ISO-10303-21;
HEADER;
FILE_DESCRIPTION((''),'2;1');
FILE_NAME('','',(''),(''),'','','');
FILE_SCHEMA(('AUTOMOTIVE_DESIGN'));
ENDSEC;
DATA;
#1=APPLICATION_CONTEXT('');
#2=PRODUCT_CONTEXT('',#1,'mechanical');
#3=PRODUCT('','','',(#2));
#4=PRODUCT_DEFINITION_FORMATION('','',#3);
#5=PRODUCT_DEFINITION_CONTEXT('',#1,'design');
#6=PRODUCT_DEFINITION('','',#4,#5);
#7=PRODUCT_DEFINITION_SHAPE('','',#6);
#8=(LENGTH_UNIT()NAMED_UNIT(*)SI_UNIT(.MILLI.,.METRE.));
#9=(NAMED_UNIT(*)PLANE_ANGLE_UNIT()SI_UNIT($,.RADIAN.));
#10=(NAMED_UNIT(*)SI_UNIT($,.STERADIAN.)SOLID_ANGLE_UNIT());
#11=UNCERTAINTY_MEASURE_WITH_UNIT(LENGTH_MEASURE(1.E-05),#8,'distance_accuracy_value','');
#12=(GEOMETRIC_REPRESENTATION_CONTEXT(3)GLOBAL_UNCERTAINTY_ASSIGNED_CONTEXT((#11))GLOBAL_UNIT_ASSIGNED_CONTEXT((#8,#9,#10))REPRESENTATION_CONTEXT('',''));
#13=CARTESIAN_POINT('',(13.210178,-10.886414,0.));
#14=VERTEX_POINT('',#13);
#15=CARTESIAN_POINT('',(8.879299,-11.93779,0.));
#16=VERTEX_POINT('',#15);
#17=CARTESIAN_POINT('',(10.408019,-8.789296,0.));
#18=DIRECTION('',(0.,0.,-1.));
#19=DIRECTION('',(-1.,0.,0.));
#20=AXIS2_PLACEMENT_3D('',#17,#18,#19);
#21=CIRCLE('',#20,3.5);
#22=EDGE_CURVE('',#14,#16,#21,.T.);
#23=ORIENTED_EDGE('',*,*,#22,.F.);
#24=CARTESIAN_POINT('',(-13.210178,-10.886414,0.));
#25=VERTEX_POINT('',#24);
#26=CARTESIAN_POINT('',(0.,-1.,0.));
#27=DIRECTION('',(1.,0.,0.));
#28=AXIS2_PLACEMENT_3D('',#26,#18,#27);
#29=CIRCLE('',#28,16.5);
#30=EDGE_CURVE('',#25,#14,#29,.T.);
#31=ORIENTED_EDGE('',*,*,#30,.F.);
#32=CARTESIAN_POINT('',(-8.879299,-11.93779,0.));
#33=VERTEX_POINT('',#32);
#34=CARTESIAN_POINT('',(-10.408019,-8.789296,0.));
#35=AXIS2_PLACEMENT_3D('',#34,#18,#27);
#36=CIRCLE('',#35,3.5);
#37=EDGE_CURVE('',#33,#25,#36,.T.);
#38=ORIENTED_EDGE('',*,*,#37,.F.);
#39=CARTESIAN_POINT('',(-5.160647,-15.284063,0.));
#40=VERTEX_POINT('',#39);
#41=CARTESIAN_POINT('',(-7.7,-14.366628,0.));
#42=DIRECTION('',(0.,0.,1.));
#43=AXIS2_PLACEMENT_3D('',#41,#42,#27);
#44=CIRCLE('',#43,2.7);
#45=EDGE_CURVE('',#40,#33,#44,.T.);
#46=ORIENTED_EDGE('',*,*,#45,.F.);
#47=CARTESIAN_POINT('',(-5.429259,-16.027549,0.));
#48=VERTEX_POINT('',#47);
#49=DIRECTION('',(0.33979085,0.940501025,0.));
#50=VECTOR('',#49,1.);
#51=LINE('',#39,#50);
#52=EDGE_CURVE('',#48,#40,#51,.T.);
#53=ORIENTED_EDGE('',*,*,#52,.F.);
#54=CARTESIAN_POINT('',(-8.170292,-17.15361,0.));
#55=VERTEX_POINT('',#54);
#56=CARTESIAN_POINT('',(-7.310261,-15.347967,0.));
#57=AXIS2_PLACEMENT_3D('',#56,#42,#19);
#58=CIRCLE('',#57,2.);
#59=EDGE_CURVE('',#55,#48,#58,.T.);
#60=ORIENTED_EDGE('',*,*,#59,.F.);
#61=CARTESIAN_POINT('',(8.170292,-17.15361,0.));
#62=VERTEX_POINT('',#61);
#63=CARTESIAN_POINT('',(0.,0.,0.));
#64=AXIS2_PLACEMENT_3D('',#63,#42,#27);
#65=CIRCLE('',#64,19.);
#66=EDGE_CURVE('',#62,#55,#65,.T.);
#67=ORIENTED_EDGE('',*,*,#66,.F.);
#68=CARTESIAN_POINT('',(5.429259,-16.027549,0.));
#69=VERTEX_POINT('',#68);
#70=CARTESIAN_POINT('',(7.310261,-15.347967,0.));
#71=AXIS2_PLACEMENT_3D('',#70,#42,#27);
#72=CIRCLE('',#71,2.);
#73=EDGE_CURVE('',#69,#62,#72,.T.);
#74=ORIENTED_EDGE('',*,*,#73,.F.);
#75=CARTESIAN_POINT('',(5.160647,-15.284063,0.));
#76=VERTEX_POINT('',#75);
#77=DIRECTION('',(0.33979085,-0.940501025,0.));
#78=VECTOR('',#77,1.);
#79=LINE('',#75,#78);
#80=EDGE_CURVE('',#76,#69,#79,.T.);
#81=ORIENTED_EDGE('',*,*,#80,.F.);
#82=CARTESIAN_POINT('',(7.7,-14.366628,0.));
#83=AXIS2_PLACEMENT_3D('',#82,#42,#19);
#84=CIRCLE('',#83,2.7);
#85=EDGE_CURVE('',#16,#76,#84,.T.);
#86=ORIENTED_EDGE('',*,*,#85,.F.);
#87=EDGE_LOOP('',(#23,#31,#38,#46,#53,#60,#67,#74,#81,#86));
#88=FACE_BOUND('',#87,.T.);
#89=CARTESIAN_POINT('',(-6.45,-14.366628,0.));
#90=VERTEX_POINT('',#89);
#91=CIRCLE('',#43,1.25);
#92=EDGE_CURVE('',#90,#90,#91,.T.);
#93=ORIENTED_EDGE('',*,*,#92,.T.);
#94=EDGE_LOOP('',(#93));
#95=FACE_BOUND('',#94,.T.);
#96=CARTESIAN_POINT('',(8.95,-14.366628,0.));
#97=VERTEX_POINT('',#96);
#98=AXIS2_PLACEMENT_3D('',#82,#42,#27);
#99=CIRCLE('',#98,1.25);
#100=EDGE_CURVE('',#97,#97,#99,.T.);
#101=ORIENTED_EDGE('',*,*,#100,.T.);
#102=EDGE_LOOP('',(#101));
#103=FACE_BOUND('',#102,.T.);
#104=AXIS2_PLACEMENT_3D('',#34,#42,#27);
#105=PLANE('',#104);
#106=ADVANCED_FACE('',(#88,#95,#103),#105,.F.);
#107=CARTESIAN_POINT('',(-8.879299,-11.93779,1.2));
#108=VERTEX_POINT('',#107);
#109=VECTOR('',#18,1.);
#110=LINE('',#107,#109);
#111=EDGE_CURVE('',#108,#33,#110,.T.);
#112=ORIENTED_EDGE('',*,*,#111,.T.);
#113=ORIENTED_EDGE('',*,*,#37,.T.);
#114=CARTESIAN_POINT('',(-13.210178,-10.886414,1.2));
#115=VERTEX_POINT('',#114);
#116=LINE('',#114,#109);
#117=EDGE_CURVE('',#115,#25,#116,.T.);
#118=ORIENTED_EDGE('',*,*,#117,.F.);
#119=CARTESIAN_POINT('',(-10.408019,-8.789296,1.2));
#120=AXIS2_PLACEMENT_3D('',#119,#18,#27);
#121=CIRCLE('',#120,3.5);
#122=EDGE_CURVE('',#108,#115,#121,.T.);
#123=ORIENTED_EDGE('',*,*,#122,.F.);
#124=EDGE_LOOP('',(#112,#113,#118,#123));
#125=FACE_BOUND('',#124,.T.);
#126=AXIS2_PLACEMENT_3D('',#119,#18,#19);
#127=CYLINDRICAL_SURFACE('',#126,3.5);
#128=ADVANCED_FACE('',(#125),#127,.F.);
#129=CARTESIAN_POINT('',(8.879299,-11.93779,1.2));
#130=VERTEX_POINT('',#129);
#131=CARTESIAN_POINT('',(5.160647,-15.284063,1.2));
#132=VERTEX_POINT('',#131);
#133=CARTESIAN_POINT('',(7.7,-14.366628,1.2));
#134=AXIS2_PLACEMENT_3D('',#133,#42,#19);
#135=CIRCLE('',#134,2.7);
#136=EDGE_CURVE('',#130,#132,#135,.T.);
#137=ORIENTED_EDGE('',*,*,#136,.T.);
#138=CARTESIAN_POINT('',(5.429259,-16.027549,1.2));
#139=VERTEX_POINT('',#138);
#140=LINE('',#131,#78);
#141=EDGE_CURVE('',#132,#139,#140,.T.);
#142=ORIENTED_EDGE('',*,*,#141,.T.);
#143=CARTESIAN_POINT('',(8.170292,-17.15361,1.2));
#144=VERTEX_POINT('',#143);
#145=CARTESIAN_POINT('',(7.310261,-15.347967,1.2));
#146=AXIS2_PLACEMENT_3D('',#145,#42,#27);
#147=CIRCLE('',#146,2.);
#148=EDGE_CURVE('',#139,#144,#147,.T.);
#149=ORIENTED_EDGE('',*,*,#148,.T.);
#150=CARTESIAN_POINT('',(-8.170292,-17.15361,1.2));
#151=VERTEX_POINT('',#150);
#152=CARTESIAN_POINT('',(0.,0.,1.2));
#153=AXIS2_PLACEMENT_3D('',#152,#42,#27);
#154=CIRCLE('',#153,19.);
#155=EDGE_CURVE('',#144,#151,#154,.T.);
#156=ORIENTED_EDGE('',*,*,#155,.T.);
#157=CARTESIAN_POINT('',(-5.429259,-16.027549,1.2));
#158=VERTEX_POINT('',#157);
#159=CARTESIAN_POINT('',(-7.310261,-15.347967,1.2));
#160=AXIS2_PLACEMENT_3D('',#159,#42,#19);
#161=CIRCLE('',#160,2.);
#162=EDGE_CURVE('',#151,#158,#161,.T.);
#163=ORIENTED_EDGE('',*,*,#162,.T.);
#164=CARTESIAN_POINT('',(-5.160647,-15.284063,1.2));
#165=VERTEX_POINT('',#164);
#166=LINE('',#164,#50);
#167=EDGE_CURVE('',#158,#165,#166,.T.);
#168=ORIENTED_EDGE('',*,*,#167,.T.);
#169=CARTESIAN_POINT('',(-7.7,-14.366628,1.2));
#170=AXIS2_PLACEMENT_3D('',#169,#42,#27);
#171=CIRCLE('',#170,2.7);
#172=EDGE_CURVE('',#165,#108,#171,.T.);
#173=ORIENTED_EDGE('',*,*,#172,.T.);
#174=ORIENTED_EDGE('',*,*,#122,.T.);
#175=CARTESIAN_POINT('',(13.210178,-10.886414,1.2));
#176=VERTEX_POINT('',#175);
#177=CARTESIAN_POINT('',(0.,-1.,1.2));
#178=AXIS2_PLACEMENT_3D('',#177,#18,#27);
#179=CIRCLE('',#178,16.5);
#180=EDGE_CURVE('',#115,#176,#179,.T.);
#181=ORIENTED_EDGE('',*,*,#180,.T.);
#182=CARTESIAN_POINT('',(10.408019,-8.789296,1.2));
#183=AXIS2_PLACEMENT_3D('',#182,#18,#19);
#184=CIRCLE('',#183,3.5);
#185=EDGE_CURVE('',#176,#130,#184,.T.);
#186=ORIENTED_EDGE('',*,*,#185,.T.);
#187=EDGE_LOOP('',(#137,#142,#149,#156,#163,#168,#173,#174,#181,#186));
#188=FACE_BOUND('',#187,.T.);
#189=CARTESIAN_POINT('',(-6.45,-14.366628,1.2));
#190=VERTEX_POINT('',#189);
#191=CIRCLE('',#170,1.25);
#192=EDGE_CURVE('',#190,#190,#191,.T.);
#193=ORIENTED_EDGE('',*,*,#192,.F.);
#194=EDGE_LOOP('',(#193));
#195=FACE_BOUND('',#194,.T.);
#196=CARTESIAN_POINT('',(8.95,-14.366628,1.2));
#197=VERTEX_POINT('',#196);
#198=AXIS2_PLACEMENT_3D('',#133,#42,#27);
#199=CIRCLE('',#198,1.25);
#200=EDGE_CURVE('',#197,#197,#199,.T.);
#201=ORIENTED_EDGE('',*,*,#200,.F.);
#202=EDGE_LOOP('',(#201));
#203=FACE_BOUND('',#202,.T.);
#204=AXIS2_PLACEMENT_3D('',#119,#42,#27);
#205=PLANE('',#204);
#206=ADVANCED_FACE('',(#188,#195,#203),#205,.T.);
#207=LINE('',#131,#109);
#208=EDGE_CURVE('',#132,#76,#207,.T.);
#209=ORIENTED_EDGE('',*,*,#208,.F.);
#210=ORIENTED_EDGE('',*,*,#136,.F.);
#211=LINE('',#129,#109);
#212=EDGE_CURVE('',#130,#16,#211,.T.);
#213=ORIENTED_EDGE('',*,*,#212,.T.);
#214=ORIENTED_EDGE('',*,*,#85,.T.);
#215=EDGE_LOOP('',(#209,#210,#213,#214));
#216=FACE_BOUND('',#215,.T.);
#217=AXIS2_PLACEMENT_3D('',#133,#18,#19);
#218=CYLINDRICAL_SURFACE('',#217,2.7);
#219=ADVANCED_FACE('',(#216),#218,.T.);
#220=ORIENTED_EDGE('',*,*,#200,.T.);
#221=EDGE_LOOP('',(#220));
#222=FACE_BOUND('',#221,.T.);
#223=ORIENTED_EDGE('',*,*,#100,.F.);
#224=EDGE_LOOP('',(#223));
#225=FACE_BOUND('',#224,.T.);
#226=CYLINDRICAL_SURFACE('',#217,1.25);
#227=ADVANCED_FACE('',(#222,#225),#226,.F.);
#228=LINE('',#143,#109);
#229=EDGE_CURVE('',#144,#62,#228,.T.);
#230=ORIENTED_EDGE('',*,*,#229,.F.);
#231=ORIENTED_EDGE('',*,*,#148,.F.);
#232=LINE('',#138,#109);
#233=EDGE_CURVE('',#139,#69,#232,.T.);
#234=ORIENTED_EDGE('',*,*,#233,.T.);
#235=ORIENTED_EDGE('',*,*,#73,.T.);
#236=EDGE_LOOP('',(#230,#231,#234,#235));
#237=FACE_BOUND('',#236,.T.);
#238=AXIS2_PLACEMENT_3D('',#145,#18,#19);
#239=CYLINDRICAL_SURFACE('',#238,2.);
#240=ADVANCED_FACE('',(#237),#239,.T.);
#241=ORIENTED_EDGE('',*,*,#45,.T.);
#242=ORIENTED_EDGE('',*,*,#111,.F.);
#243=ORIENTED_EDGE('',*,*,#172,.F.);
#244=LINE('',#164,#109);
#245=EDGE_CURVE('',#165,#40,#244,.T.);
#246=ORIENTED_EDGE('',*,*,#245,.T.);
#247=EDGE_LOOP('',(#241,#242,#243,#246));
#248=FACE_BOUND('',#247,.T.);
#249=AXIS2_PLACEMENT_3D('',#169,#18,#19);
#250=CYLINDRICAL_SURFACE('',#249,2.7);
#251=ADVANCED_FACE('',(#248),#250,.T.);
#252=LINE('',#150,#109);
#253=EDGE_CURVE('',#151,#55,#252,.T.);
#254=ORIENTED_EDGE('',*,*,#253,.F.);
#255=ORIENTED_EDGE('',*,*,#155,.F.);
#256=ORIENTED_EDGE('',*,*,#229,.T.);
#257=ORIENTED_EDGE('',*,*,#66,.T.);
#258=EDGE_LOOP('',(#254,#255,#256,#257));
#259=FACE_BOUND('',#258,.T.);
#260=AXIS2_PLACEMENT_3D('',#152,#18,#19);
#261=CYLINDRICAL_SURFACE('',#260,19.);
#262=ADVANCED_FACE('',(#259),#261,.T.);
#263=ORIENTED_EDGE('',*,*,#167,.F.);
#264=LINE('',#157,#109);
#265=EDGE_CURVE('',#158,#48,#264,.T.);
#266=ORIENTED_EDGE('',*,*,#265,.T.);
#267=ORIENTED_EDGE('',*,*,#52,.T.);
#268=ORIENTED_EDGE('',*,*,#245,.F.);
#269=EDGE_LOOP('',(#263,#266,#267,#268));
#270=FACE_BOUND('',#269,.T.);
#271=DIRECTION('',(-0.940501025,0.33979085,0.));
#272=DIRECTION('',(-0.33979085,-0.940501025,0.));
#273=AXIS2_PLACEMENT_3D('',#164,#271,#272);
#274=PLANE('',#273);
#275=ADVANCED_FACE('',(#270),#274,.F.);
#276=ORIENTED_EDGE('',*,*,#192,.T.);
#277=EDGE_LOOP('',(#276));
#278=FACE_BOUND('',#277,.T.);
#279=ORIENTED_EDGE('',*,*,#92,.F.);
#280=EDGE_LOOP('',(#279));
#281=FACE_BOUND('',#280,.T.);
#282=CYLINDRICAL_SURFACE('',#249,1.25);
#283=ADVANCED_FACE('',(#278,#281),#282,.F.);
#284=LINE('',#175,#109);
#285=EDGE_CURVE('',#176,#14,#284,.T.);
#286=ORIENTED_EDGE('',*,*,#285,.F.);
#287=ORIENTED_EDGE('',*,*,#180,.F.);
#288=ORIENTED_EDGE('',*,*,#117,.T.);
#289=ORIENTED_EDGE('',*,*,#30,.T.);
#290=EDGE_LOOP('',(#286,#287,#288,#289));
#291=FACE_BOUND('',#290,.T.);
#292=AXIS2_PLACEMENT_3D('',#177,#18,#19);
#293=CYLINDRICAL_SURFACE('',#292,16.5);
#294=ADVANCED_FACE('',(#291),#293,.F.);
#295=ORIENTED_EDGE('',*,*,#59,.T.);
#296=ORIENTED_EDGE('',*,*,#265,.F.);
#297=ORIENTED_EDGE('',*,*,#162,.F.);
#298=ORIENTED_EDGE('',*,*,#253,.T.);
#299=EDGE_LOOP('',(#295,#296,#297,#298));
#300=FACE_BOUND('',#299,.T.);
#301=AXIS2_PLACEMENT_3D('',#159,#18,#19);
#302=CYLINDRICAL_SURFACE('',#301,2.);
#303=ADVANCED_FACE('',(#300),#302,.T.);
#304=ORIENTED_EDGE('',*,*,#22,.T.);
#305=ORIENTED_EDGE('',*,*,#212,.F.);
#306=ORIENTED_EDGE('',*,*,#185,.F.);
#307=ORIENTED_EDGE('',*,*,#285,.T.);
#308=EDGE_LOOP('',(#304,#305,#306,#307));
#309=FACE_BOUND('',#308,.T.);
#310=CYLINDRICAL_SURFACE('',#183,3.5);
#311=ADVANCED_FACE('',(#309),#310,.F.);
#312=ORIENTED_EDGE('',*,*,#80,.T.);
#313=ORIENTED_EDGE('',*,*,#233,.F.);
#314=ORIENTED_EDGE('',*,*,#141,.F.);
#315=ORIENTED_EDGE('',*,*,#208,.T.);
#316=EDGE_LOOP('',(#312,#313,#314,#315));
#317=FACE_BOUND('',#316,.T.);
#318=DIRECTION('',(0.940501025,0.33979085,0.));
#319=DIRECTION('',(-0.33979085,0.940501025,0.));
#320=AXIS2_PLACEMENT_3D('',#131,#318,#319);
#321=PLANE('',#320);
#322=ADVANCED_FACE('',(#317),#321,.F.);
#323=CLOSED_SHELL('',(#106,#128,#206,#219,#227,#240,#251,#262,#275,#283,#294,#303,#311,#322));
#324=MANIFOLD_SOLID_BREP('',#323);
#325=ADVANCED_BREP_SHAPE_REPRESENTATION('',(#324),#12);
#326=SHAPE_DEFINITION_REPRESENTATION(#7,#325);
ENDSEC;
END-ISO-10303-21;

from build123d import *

# Parameters (mm, degrees)
SKETCH_1_R      = 1.25
EXTRUDE_1_DEPTH = 1.2


with BuildPart() as part:
    # Эскиз1 → Бобышка-Вытянуть1 (new body)
    with BuildSketch(Plane.XY):
        with BuildLine():
            Line((-5.160647232, -15.284063293), (-5.429258829, -16.027548533))
            ThreePointArc((-5.429258829, -16.027548533), (-6.550261386, -17.197940013), (-8.170291571, -17.153609989))
            ThreePointArc((-8.170291571, -17.153609989), (0, 19), (8.170291571, -17.153609989))
            ThreePointArc((8.170291571, -17.153609989), (6.550261386, -17.197940013), (5.429258829, -16.027548533))
            Line((5.429258829, -16.027548533), (5.160647232, -15.284063293))
            ThreePointArc((5.160647232, -15.284063293), (5.893948192, -12.359596142), (8.879298744, -11.937789906))
            ThreePointArc((8.879298744, -11.937789906), (11.233706363, -12.19050777), (13.210178389, -10.88641426))
            ThreePointArc((13.210178389, -10.88641426), (0, 15.5), (-13.210178389, -10.88641426))
            ThreePointArc((-13.210178389, -10.88641426), (-11.233706363, -12.19050777), (-8.879298744, -11.937789906))
            ThreePointArc((-8.879298744, -11.937789906), (-5.893948192, -12.359596142), (-5.160647232, -15.284063293))
        make_face()
        with Locations((-7.7, -14.366627997)):
            Circle(SKETCH_1_R, mode=Mode.SUBTRACT)
        with Locations((7.7, -14.366627997)):
            Circle(SKETCH_1_R, mode=Mode.SUBTRACT)
    extrude(amount=EXTRUDE_1_DEPTH)


solid = part.part
